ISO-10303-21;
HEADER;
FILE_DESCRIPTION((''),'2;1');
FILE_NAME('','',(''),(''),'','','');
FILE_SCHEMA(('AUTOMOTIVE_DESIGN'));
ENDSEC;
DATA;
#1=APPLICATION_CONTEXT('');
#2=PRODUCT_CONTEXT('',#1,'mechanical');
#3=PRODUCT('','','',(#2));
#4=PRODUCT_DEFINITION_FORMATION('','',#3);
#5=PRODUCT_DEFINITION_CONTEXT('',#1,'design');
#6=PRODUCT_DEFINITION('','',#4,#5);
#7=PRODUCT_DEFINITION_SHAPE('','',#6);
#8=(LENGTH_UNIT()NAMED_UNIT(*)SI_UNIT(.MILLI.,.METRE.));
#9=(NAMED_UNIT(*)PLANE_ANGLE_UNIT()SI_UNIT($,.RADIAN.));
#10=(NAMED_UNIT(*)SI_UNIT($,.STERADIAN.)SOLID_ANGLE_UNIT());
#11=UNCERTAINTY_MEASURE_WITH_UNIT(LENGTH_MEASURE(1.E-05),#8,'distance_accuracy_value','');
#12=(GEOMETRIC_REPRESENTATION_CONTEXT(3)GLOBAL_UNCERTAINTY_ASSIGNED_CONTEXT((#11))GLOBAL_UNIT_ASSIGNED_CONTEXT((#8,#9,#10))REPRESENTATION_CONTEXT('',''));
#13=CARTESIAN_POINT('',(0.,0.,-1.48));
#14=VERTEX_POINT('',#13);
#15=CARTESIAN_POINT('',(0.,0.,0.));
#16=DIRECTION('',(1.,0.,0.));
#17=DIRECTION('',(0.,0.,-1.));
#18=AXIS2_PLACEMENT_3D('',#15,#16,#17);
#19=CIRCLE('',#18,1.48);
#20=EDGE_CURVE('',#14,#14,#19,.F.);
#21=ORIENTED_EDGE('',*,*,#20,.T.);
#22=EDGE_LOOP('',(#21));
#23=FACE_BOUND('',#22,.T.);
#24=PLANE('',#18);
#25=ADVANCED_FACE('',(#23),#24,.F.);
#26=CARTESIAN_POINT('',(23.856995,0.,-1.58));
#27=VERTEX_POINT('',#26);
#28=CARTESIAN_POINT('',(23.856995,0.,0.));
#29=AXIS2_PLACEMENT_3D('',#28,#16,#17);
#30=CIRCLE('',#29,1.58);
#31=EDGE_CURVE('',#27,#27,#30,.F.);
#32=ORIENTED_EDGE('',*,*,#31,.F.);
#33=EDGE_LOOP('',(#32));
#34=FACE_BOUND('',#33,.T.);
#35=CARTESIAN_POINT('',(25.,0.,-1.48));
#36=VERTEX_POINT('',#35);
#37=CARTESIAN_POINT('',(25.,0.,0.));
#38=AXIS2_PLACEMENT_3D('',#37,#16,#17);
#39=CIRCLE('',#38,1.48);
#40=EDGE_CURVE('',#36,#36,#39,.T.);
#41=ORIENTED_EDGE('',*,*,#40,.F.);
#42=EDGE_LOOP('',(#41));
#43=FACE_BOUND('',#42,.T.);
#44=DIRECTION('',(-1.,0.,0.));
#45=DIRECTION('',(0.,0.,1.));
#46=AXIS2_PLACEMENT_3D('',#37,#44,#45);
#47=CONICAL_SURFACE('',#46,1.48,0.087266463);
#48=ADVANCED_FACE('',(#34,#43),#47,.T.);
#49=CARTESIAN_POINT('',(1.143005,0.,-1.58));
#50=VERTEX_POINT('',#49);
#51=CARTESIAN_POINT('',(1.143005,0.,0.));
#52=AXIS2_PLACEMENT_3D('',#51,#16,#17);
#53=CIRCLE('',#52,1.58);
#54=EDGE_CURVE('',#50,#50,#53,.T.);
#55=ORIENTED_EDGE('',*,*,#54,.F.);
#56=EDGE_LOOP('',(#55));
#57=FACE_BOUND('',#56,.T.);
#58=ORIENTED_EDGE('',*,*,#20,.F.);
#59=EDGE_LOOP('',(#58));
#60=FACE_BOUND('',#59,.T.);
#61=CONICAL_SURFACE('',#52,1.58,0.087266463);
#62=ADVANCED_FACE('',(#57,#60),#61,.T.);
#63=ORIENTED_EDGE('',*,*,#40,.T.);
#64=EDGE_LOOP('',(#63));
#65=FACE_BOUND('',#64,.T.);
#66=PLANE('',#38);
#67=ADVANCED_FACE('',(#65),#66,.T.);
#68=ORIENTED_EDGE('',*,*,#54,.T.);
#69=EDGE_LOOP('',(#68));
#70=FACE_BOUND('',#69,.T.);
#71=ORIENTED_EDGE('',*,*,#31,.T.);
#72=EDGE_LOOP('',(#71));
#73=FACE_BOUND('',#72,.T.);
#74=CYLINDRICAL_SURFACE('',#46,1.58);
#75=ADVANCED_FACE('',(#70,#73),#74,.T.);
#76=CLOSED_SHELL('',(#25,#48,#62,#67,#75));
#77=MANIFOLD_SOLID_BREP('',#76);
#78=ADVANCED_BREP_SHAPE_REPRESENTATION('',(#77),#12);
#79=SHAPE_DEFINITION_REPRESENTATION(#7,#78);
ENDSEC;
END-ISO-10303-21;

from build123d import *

# Parameters (mm, degrees)
SKETCH1_R           = 1.58
BOSS_EXTRUDE1_DEPTH = 25
CHAMFER1_SIZE       = 0.1
CHAMFER1_SIZE2      = 1.14300523
CHAMFER2_SIZE       = 0.1
CHAMFER2_SIZE2      = 1.14300523


with BuildPart() as part:
    # Sketch1 → Boss-Extrude1 (new body)
    with BuildSketch(Plane(origin=(0, 0, 0), x_dir=(0, 0, -1), z_dir=(1, 0, 0))):
        Circle(SKETCH1_R)
    extrude(amount=BOSS_EXTRUDE1_DEPTH)

    # Chamfer1
    chamfer1_edges = [part.edges().sort_by_distance(p)[0] for p in [
        (0, 0, 1.58),
    ]]
    chamfer1_side = [part.faces().sort_by_distance(p)[0] for p in [
        (0, 0, 0),
    ]]
    chamfer(chamfer1_edges, length=CHAMFER1_SIZE, length2=CHAMFER1_SIZE2, reference=chamfer1_side[0])

    # Chamfer2
    chamfer2_edges = [part.edges().sort_by_distance(p)[0] for p in [
        (25, 0, 1.58),
    ]]
    chamfer2_side = [part.faces().sort_by_distance(p)[0] for p in [
        (25, 0, 0),
    ]]
    chamfer(chamfer2_edges, length=CHAMFER2_SIZE, length2=CHAMFER2_SIZE2, reference=chamfer2_side[0])


solid = part.part
